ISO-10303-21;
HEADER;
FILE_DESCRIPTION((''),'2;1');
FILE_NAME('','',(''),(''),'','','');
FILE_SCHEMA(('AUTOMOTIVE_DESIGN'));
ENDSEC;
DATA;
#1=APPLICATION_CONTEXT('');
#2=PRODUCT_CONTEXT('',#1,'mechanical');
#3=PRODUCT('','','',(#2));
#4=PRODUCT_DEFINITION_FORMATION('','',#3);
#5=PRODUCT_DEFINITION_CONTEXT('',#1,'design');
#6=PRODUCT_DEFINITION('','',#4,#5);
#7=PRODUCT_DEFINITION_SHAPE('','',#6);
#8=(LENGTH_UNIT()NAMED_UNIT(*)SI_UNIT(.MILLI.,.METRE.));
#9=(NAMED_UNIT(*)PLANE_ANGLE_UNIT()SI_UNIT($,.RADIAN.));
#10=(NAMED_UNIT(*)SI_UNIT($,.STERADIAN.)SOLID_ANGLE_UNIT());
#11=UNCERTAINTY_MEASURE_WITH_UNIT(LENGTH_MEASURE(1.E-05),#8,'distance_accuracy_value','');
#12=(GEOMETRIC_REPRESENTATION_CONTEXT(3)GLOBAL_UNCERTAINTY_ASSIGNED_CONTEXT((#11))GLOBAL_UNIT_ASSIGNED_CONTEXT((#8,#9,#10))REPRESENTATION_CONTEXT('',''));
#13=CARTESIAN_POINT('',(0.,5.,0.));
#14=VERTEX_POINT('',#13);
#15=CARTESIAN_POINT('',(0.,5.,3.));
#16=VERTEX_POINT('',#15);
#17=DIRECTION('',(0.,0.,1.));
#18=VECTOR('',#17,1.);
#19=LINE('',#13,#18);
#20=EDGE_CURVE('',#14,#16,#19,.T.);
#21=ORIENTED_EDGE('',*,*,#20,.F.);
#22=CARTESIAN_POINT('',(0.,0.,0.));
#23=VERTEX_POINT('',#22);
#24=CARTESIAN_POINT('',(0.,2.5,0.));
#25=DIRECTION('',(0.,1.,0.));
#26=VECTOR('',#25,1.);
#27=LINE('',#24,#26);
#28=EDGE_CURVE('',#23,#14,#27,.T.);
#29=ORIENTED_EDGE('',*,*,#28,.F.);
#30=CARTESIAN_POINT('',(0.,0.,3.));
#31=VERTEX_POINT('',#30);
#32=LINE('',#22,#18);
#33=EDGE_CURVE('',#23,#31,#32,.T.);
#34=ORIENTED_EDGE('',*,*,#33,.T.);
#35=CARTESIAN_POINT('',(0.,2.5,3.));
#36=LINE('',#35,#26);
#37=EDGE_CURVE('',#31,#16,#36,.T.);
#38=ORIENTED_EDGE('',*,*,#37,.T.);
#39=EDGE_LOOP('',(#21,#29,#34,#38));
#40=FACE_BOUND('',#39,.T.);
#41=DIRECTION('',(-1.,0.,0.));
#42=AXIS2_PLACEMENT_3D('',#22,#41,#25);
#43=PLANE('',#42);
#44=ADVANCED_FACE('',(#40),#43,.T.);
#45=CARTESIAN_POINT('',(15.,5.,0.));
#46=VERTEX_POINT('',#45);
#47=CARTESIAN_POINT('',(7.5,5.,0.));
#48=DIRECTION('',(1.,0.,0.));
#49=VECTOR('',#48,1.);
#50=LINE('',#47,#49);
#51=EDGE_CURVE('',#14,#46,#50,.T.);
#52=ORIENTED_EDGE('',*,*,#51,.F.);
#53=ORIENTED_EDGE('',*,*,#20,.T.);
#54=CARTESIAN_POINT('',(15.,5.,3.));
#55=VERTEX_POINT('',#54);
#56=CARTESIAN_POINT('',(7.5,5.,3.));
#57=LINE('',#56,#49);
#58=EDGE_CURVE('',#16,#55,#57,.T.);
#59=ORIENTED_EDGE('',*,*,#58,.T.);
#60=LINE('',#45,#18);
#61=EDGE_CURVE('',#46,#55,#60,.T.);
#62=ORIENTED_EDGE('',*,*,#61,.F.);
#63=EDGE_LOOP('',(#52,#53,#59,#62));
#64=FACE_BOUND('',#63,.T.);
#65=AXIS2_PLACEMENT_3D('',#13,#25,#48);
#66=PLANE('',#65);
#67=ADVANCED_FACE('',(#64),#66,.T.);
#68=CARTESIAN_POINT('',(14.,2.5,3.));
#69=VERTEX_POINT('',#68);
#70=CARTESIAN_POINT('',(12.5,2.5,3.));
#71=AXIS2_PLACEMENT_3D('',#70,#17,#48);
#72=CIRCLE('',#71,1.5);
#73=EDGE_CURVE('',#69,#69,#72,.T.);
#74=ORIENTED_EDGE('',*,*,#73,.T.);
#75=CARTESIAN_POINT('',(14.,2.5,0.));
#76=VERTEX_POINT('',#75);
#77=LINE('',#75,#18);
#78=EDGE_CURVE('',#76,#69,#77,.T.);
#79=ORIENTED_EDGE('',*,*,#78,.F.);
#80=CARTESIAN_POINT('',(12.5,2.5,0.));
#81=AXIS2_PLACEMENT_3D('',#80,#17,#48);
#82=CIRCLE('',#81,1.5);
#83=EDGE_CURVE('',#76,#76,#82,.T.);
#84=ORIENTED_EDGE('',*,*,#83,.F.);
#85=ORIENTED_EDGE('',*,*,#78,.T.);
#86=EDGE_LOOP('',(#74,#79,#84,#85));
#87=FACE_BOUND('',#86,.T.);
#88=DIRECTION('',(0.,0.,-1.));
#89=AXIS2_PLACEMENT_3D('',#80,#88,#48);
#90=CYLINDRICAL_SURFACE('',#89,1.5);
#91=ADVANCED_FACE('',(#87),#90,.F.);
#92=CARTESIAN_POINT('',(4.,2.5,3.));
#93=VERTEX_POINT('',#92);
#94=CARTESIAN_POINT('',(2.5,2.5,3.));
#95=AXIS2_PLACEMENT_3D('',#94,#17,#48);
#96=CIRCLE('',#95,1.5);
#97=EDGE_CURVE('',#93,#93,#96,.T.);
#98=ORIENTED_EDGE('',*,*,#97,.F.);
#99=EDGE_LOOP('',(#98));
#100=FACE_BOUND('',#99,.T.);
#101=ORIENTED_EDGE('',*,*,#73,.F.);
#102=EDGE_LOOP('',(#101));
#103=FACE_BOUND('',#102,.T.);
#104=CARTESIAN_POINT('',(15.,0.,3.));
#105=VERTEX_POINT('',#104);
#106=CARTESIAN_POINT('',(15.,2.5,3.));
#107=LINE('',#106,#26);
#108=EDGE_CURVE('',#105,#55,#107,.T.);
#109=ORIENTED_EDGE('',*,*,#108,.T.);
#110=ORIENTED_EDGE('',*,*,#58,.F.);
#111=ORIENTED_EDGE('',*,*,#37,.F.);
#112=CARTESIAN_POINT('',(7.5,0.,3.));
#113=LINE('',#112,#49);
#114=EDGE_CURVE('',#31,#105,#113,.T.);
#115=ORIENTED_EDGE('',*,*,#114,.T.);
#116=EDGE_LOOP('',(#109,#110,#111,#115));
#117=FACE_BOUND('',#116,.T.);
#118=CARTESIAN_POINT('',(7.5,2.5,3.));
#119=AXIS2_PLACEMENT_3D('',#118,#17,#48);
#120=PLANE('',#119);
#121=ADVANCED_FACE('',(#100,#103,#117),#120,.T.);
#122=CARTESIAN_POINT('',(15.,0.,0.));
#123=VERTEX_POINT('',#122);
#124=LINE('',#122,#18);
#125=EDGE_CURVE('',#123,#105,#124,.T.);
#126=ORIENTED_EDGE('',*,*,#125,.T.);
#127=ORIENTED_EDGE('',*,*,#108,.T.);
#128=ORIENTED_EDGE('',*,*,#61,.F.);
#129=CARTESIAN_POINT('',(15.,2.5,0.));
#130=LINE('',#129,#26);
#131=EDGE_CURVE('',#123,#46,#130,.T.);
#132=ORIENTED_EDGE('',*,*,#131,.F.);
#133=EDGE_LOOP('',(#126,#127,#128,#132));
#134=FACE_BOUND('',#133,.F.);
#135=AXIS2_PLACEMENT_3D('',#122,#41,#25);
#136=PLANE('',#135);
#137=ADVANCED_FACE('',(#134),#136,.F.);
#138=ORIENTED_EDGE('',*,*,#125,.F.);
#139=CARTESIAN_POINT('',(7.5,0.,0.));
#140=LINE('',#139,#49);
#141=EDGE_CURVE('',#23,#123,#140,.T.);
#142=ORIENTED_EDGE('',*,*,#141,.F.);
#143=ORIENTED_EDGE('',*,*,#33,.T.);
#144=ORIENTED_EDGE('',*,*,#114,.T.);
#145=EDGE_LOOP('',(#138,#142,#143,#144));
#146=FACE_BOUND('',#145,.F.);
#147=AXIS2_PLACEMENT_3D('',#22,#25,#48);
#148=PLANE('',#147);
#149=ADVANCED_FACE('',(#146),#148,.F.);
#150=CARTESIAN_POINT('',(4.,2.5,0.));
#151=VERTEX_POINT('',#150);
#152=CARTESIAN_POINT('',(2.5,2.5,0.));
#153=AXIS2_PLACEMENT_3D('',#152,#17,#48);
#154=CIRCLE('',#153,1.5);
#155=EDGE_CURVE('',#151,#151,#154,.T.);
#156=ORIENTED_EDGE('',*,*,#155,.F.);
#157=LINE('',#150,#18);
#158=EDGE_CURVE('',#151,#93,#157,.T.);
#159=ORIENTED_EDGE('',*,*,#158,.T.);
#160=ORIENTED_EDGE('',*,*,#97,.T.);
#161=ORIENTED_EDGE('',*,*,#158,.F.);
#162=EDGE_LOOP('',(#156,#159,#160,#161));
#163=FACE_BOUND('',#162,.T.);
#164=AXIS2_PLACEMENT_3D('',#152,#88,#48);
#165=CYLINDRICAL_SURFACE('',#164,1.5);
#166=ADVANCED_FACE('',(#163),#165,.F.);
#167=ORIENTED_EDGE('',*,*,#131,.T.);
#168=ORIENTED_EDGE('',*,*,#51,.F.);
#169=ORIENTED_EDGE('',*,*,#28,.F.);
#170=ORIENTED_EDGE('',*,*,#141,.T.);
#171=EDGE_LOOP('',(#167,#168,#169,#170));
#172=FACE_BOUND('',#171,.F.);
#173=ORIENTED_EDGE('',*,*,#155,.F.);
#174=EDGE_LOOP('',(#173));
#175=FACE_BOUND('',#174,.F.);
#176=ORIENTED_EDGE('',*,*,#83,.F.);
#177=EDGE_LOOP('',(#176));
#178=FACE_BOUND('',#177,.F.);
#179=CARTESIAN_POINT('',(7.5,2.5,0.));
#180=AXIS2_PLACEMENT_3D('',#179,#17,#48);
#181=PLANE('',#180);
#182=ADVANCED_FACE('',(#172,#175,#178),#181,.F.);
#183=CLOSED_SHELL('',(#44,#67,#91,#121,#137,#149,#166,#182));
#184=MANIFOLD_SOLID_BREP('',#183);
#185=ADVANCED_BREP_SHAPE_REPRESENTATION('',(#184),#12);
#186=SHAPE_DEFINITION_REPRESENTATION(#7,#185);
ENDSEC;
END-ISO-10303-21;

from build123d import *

# Parameters (mm, degrees)
SKETCH_W  = 15
SKETCH_H  = 5
SKETCH_R  = 1.5
PAD_DEPTH = 3


with BuildPart() as part:
    # Sketch → Pad (new body)
    with BuildSketch(Plane.XY):
        with Locations((7.5, 2.5)):
            Rectangle(SKETCH_W, SKETCH_H)
        with Locations((2.5, 2.5)):
            Circle(SKETCH_R, mode=Mode.SUBTRACT)
        with Locations((12.5, 2.5)):
            Circle(SKETCH_R, mode=Mode.SUBTRACT)
    extrude(amount=PAD_DEPTH)


solid = part.part
